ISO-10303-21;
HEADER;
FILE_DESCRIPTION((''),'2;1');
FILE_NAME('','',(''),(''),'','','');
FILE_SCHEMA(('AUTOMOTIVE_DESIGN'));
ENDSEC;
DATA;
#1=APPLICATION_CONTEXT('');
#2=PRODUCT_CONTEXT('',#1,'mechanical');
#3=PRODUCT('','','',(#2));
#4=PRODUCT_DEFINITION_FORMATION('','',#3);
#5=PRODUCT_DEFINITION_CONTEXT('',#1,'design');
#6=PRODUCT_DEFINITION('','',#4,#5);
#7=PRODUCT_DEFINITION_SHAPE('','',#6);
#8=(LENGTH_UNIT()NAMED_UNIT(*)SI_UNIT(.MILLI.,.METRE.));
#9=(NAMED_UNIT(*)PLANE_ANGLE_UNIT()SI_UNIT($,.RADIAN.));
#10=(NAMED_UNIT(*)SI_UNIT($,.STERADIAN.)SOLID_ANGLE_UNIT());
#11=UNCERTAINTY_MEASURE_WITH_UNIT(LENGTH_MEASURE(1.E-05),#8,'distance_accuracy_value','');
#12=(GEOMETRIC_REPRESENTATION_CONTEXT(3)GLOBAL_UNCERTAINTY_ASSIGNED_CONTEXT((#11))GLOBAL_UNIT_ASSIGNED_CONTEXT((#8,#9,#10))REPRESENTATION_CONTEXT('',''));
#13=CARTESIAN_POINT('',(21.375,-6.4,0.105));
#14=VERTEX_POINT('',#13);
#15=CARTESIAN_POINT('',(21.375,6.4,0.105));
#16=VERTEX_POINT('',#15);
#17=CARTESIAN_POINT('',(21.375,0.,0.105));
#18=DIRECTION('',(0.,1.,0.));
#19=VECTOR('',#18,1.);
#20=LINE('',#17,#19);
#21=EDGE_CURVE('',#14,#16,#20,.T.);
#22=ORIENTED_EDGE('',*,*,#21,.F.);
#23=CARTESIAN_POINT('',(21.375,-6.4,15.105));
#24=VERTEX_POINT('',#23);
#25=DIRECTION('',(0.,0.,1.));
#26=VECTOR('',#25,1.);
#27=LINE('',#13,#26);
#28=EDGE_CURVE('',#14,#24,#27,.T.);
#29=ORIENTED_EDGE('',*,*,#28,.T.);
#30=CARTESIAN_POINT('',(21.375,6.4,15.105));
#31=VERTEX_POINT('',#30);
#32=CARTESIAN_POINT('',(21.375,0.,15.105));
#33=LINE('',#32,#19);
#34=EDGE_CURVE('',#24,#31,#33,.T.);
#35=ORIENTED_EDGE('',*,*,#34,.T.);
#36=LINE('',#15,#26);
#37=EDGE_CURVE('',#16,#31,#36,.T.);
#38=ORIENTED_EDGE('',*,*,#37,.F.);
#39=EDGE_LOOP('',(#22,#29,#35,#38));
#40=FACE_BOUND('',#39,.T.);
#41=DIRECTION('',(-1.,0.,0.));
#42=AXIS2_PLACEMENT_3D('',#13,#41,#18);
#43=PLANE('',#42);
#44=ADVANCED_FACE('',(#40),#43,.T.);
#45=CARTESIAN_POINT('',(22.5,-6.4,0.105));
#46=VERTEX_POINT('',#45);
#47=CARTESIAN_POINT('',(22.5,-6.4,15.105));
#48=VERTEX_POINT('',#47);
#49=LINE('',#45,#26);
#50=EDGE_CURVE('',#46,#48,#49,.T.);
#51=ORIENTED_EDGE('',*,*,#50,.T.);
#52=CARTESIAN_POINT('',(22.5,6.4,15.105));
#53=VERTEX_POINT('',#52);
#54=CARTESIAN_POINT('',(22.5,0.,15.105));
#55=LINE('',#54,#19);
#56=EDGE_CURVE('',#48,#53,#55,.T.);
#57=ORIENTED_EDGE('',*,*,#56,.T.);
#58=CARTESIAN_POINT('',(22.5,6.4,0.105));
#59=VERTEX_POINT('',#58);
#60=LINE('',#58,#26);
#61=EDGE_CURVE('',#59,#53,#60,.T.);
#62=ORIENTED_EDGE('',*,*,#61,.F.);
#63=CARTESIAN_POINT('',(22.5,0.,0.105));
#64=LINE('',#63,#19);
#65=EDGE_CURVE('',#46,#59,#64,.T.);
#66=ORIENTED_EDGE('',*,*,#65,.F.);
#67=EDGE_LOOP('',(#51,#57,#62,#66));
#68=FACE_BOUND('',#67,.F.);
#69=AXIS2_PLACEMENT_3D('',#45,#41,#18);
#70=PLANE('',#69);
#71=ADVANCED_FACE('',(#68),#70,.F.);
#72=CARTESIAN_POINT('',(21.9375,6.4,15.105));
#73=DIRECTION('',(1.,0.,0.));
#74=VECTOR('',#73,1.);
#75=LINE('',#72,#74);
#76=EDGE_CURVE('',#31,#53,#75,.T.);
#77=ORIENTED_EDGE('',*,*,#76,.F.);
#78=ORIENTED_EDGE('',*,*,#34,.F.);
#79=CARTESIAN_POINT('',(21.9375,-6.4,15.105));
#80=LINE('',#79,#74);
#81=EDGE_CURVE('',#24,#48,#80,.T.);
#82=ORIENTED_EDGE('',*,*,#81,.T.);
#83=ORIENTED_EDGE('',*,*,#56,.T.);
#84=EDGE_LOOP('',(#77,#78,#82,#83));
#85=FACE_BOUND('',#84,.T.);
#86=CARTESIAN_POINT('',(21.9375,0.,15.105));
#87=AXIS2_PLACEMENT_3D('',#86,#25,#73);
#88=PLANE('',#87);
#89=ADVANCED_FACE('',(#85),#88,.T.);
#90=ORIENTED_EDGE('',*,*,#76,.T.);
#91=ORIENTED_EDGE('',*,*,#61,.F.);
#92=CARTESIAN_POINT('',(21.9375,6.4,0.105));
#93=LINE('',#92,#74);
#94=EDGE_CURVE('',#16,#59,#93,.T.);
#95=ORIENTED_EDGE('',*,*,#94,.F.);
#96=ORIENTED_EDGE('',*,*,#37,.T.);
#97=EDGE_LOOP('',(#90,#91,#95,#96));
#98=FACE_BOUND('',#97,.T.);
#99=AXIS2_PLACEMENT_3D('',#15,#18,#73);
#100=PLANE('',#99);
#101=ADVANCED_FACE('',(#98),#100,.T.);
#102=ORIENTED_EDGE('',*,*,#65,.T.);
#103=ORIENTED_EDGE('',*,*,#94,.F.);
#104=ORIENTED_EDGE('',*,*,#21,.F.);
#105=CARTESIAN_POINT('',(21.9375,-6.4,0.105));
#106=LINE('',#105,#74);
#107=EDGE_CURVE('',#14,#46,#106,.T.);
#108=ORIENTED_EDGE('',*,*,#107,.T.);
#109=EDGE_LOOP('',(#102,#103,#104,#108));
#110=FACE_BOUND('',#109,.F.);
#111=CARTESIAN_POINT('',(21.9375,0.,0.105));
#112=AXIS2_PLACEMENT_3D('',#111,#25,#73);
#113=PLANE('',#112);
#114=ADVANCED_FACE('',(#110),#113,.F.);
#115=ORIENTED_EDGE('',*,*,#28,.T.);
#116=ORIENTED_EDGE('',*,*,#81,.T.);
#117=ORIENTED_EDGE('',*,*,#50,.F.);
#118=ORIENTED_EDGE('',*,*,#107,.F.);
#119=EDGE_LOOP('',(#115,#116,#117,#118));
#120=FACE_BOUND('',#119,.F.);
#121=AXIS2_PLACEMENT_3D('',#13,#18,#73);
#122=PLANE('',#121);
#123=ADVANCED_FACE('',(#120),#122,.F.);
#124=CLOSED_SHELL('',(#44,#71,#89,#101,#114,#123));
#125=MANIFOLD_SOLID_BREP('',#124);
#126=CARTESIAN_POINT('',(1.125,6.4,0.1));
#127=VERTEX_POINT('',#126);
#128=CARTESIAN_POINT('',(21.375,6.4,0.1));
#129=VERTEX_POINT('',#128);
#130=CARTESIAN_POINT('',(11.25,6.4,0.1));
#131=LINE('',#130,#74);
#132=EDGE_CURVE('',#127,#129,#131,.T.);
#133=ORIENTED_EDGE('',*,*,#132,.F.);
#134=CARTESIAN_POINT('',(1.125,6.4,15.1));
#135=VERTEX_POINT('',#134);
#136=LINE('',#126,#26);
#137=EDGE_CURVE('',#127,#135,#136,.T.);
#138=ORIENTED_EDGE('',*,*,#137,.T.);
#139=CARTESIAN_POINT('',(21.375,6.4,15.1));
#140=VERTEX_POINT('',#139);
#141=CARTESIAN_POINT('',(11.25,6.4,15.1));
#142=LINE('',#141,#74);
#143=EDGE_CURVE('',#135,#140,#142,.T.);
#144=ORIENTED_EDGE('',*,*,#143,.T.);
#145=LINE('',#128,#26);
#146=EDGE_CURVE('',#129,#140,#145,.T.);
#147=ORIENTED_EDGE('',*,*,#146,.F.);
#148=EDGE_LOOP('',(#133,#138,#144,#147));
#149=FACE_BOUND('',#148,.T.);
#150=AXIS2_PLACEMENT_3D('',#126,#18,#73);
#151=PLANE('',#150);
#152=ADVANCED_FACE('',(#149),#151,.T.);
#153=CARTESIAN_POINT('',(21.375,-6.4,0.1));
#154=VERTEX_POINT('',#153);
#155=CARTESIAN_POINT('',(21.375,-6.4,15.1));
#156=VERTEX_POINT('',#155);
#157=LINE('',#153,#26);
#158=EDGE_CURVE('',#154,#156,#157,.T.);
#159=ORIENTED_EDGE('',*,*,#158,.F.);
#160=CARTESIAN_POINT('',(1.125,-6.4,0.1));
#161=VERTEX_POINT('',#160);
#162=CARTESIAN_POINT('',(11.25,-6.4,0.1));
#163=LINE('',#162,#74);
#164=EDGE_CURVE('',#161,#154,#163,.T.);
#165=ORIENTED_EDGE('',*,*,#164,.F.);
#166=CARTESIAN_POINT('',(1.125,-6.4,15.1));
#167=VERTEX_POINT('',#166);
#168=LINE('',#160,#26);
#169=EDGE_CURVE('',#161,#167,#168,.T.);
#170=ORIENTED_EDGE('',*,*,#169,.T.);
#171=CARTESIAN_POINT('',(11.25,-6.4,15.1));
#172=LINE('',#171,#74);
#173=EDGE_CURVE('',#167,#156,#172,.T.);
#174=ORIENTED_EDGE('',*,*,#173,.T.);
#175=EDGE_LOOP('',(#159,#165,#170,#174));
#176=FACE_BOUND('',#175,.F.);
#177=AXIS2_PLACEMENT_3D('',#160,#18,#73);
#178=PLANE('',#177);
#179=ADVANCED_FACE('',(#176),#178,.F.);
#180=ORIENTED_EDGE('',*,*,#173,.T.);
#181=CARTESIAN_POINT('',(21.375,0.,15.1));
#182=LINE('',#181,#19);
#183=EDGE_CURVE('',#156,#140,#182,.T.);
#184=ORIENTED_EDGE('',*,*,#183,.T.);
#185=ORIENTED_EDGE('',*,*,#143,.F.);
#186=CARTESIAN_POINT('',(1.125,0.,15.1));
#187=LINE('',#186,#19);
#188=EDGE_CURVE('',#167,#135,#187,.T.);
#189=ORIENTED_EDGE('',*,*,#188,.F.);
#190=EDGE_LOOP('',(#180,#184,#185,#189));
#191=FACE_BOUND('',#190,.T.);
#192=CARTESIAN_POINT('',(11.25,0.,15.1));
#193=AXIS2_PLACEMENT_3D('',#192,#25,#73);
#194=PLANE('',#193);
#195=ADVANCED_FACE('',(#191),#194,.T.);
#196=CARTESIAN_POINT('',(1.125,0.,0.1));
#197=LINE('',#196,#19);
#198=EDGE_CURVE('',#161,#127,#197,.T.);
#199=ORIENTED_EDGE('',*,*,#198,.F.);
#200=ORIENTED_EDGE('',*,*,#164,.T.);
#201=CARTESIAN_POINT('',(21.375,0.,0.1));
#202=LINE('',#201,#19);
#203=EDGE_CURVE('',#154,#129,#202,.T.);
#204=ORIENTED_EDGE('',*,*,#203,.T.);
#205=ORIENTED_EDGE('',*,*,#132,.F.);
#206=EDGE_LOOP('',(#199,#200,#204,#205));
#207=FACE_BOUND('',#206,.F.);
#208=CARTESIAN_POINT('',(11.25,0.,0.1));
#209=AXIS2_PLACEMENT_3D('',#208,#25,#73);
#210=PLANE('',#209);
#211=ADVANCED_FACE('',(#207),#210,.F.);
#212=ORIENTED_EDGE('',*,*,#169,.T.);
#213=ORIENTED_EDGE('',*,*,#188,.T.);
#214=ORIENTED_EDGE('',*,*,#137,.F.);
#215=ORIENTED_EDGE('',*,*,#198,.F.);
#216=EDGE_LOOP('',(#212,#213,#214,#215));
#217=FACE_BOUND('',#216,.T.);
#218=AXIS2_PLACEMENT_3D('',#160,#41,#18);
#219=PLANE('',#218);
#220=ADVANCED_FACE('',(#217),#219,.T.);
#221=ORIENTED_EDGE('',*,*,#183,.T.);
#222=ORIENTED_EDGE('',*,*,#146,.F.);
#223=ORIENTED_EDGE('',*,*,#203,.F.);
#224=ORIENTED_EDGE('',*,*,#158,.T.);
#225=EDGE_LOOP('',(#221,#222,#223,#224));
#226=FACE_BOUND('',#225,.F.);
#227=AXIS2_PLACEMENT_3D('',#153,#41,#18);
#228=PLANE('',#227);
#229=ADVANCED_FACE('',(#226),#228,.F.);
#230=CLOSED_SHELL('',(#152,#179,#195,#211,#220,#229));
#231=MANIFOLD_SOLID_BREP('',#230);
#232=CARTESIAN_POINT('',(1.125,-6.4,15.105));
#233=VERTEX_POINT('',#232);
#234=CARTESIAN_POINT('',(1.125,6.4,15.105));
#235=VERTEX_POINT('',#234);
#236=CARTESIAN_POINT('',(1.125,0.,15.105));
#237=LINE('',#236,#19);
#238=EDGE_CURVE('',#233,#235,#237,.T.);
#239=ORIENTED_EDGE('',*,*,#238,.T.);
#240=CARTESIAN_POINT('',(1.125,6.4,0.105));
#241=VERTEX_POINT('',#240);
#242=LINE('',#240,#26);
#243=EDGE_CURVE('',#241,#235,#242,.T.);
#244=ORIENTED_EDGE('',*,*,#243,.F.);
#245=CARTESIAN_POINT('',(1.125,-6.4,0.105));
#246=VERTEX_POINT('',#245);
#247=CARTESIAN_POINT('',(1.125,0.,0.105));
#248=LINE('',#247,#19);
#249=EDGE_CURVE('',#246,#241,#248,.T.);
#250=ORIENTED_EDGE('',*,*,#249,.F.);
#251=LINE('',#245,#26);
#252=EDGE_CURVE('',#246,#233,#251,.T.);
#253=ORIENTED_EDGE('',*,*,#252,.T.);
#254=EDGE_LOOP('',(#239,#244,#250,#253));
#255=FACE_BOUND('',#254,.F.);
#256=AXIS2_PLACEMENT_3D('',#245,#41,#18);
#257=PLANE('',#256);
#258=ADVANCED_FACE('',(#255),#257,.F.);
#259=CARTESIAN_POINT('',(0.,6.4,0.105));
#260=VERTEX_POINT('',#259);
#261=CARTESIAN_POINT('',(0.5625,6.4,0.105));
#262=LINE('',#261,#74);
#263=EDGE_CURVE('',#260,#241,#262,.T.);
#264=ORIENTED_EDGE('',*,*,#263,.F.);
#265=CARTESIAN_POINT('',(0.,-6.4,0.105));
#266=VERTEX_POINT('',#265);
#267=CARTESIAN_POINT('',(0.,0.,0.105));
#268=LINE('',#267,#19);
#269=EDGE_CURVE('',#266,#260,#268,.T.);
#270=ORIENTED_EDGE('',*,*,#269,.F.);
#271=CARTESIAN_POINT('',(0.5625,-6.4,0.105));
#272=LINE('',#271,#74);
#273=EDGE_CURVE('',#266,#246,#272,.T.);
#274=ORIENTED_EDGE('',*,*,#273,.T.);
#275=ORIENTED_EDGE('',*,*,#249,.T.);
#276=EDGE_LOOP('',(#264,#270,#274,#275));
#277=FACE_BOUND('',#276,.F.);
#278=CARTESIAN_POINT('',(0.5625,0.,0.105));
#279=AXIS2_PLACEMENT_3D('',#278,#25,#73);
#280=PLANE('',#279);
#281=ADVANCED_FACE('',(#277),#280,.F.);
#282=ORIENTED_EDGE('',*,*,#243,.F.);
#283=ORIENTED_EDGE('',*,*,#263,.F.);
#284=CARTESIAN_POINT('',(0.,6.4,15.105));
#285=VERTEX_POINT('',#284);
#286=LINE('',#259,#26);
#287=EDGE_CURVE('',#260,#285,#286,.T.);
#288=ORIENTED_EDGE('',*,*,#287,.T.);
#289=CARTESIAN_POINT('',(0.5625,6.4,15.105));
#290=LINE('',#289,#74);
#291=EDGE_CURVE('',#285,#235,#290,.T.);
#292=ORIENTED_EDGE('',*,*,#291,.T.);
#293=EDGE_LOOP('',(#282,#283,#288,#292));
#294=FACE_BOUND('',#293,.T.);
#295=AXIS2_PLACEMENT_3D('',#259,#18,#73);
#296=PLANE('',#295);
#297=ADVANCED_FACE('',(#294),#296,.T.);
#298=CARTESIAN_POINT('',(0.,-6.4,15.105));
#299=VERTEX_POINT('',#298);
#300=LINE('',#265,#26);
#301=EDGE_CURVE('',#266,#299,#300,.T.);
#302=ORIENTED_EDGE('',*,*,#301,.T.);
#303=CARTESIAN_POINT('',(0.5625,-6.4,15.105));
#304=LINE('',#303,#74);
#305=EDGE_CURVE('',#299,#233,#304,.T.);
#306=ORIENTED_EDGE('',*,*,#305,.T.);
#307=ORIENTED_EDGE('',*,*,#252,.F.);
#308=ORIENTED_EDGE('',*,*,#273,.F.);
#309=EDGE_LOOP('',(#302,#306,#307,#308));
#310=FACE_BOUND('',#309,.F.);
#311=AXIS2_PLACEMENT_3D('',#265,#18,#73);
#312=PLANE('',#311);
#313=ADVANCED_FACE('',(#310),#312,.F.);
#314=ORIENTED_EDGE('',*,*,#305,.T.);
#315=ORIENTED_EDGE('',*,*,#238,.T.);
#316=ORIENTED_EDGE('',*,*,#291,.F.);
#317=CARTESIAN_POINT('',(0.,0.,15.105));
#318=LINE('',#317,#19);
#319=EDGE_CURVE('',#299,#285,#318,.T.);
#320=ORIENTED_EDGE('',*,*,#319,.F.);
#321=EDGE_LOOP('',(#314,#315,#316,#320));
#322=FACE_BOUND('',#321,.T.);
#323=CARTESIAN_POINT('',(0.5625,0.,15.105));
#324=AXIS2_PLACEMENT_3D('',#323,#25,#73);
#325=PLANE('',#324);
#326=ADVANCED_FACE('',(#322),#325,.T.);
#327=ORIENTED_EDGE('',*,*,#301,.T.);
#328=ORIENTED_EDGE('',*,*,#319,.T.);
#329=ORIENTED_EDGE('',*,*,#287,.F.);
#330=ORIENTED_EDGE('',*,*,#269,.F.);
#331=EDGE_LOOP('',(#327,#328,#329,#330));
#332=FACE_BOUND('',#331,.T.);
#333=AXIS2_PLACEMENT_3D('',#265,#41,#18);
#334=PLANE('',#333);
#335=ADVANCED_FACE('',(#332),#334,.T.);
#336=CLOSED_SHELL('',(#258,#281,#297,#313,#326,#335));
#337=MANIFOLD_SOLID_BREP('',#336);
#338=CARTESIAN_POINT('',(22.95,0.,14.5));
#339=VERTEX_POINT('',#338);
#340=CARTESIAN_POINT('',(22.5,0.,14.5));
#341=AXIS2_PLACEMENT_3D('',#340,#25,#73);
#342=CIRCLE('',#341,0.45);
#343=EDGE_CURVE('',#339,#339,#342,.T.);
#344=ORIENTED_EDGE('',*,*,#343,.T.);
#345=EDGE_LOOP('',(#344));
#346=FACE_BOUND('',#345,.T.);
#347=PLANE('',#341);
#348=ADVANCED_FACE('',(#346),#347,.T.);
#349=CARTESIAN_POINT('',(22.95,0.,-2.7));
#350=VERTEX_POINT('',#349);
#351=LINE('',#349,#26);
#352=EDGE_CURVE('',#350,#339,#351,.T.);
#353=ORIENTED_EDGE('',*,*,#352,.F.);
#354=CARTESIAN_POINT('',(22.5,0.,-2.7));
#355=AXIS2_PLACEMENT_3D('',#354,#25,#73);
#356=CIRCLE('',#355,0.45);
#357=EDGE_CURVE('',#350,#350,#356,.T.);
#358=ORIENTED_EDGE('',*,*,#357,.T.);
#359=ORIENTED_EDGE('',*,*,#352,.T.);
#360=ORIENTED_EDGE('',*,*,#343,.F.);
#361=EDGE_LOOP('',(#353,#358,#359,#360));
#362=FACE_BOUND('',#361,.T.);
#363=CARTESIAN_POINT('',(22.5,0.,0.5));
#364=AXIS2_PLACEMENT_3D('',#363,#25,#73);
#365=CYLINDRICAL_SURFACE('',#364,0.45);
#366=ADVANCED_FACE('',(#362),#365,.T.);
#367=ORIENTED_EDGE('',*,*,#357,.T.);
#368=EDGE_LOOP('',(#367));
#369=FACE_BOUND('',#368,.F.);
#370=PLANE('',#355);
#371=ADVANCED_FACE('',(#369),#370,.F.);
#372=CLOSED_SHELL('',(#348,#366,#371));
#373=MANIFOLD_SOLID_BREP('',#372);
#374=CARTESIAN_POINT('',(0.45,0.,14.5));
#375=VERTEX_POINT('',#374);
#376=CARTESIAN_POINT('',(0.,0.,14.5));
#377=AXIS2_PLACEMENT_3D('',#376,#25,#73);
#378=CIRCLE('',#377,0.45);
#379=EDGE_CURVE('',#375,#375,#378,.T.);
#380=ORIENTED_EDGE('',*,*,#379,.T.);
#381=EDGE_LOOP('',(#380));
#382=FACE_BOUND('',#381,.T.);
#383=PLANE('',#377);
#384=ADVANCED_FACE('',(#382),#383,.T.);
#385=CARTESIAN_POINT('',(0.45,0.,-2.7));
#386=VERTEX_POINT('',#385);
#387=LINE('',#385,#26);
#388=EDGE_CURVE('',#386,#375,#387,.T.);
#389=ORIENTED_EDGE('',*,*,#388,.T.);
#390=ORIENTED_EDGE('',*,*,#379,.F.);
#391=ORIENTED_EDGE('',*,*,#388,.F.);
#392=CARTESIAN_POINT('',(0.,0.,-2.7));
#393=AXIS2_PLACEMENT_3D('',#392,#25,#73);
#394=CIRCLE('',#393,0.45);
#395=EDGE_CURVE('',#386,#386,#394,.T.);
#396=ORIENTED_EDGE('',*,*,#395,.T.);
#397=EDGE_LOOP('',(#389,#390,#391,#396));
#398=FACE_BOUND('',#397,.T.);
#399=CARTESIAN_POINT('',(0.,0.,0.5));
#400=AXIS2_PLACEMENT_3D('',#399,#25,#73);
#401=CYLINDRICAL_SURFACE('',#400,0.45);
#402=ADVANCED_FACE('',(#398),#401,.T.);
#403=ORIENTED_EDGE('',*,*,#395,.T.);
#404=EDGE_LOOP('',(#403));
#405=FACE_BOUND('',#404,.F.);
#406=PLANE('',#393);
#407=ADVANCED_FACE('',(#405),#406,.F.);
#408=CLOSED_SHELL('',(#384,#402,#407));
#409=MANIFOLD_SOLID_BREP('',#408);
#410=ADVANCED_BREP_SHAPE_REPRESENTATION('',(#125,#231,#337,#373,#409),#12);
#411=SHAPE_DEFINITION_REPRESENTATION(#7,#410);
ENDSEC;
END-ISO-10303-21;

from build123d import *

# Parameters (mm, degrees)
SKETCH_W          = 20.25
SKETCH_H          = 12.8
PAD_DEPTH         = 15
SKETCH001_R       = 0.45
PAD001_DEPTH      = 14
PAD001_DEPTH_BACK = 3.2
SKETCH002_W       = 1.125
SKETCH002_H       = 12.8
PAD002_DEPTH      = 15


with BuildPart() as pad:
    # Sketch → Pad (new body)
    with BuildSketch(Plane.XY.offset(0.1)):
        with Locations((11.25, 0)):
            Rectangle(SKETCH_W, SKETCH_H)
    extrude(amount=PAD_DEPTH)


with BuildPart() as pad001:
    # Sketch001 → Pad001 (new body, two sides)
    with BuildSketch(Plane.XY.offset(0.5)) as pad001_sk:
        Circle(SKETCH001_R)
        with Locations((22.5, 0)):
            Circle(SKETCH001_R)
    extrude(amount=PAD001_DEPTH)
    extrude(pad001_sk.sketch, amount=-PAD001_DEPTH_BACK)


with BuildPart() as pad002:
    # Sketch002 → Pad002 (new body)
    with BuildSketch(Plane.XY.offset(0.105)):
        with Locations((0.5625, 0)):
            Rectangle(SKETCH002_W, SKETCH002_H)
        with Locations((21.9375, 0)):
            Rectangle(SKETCH002_W, SKETCH002_H)
    extrude(amount=PAD002_DEPTH)


solid = Compound([pad.part, pad001.part, pad002.part])
